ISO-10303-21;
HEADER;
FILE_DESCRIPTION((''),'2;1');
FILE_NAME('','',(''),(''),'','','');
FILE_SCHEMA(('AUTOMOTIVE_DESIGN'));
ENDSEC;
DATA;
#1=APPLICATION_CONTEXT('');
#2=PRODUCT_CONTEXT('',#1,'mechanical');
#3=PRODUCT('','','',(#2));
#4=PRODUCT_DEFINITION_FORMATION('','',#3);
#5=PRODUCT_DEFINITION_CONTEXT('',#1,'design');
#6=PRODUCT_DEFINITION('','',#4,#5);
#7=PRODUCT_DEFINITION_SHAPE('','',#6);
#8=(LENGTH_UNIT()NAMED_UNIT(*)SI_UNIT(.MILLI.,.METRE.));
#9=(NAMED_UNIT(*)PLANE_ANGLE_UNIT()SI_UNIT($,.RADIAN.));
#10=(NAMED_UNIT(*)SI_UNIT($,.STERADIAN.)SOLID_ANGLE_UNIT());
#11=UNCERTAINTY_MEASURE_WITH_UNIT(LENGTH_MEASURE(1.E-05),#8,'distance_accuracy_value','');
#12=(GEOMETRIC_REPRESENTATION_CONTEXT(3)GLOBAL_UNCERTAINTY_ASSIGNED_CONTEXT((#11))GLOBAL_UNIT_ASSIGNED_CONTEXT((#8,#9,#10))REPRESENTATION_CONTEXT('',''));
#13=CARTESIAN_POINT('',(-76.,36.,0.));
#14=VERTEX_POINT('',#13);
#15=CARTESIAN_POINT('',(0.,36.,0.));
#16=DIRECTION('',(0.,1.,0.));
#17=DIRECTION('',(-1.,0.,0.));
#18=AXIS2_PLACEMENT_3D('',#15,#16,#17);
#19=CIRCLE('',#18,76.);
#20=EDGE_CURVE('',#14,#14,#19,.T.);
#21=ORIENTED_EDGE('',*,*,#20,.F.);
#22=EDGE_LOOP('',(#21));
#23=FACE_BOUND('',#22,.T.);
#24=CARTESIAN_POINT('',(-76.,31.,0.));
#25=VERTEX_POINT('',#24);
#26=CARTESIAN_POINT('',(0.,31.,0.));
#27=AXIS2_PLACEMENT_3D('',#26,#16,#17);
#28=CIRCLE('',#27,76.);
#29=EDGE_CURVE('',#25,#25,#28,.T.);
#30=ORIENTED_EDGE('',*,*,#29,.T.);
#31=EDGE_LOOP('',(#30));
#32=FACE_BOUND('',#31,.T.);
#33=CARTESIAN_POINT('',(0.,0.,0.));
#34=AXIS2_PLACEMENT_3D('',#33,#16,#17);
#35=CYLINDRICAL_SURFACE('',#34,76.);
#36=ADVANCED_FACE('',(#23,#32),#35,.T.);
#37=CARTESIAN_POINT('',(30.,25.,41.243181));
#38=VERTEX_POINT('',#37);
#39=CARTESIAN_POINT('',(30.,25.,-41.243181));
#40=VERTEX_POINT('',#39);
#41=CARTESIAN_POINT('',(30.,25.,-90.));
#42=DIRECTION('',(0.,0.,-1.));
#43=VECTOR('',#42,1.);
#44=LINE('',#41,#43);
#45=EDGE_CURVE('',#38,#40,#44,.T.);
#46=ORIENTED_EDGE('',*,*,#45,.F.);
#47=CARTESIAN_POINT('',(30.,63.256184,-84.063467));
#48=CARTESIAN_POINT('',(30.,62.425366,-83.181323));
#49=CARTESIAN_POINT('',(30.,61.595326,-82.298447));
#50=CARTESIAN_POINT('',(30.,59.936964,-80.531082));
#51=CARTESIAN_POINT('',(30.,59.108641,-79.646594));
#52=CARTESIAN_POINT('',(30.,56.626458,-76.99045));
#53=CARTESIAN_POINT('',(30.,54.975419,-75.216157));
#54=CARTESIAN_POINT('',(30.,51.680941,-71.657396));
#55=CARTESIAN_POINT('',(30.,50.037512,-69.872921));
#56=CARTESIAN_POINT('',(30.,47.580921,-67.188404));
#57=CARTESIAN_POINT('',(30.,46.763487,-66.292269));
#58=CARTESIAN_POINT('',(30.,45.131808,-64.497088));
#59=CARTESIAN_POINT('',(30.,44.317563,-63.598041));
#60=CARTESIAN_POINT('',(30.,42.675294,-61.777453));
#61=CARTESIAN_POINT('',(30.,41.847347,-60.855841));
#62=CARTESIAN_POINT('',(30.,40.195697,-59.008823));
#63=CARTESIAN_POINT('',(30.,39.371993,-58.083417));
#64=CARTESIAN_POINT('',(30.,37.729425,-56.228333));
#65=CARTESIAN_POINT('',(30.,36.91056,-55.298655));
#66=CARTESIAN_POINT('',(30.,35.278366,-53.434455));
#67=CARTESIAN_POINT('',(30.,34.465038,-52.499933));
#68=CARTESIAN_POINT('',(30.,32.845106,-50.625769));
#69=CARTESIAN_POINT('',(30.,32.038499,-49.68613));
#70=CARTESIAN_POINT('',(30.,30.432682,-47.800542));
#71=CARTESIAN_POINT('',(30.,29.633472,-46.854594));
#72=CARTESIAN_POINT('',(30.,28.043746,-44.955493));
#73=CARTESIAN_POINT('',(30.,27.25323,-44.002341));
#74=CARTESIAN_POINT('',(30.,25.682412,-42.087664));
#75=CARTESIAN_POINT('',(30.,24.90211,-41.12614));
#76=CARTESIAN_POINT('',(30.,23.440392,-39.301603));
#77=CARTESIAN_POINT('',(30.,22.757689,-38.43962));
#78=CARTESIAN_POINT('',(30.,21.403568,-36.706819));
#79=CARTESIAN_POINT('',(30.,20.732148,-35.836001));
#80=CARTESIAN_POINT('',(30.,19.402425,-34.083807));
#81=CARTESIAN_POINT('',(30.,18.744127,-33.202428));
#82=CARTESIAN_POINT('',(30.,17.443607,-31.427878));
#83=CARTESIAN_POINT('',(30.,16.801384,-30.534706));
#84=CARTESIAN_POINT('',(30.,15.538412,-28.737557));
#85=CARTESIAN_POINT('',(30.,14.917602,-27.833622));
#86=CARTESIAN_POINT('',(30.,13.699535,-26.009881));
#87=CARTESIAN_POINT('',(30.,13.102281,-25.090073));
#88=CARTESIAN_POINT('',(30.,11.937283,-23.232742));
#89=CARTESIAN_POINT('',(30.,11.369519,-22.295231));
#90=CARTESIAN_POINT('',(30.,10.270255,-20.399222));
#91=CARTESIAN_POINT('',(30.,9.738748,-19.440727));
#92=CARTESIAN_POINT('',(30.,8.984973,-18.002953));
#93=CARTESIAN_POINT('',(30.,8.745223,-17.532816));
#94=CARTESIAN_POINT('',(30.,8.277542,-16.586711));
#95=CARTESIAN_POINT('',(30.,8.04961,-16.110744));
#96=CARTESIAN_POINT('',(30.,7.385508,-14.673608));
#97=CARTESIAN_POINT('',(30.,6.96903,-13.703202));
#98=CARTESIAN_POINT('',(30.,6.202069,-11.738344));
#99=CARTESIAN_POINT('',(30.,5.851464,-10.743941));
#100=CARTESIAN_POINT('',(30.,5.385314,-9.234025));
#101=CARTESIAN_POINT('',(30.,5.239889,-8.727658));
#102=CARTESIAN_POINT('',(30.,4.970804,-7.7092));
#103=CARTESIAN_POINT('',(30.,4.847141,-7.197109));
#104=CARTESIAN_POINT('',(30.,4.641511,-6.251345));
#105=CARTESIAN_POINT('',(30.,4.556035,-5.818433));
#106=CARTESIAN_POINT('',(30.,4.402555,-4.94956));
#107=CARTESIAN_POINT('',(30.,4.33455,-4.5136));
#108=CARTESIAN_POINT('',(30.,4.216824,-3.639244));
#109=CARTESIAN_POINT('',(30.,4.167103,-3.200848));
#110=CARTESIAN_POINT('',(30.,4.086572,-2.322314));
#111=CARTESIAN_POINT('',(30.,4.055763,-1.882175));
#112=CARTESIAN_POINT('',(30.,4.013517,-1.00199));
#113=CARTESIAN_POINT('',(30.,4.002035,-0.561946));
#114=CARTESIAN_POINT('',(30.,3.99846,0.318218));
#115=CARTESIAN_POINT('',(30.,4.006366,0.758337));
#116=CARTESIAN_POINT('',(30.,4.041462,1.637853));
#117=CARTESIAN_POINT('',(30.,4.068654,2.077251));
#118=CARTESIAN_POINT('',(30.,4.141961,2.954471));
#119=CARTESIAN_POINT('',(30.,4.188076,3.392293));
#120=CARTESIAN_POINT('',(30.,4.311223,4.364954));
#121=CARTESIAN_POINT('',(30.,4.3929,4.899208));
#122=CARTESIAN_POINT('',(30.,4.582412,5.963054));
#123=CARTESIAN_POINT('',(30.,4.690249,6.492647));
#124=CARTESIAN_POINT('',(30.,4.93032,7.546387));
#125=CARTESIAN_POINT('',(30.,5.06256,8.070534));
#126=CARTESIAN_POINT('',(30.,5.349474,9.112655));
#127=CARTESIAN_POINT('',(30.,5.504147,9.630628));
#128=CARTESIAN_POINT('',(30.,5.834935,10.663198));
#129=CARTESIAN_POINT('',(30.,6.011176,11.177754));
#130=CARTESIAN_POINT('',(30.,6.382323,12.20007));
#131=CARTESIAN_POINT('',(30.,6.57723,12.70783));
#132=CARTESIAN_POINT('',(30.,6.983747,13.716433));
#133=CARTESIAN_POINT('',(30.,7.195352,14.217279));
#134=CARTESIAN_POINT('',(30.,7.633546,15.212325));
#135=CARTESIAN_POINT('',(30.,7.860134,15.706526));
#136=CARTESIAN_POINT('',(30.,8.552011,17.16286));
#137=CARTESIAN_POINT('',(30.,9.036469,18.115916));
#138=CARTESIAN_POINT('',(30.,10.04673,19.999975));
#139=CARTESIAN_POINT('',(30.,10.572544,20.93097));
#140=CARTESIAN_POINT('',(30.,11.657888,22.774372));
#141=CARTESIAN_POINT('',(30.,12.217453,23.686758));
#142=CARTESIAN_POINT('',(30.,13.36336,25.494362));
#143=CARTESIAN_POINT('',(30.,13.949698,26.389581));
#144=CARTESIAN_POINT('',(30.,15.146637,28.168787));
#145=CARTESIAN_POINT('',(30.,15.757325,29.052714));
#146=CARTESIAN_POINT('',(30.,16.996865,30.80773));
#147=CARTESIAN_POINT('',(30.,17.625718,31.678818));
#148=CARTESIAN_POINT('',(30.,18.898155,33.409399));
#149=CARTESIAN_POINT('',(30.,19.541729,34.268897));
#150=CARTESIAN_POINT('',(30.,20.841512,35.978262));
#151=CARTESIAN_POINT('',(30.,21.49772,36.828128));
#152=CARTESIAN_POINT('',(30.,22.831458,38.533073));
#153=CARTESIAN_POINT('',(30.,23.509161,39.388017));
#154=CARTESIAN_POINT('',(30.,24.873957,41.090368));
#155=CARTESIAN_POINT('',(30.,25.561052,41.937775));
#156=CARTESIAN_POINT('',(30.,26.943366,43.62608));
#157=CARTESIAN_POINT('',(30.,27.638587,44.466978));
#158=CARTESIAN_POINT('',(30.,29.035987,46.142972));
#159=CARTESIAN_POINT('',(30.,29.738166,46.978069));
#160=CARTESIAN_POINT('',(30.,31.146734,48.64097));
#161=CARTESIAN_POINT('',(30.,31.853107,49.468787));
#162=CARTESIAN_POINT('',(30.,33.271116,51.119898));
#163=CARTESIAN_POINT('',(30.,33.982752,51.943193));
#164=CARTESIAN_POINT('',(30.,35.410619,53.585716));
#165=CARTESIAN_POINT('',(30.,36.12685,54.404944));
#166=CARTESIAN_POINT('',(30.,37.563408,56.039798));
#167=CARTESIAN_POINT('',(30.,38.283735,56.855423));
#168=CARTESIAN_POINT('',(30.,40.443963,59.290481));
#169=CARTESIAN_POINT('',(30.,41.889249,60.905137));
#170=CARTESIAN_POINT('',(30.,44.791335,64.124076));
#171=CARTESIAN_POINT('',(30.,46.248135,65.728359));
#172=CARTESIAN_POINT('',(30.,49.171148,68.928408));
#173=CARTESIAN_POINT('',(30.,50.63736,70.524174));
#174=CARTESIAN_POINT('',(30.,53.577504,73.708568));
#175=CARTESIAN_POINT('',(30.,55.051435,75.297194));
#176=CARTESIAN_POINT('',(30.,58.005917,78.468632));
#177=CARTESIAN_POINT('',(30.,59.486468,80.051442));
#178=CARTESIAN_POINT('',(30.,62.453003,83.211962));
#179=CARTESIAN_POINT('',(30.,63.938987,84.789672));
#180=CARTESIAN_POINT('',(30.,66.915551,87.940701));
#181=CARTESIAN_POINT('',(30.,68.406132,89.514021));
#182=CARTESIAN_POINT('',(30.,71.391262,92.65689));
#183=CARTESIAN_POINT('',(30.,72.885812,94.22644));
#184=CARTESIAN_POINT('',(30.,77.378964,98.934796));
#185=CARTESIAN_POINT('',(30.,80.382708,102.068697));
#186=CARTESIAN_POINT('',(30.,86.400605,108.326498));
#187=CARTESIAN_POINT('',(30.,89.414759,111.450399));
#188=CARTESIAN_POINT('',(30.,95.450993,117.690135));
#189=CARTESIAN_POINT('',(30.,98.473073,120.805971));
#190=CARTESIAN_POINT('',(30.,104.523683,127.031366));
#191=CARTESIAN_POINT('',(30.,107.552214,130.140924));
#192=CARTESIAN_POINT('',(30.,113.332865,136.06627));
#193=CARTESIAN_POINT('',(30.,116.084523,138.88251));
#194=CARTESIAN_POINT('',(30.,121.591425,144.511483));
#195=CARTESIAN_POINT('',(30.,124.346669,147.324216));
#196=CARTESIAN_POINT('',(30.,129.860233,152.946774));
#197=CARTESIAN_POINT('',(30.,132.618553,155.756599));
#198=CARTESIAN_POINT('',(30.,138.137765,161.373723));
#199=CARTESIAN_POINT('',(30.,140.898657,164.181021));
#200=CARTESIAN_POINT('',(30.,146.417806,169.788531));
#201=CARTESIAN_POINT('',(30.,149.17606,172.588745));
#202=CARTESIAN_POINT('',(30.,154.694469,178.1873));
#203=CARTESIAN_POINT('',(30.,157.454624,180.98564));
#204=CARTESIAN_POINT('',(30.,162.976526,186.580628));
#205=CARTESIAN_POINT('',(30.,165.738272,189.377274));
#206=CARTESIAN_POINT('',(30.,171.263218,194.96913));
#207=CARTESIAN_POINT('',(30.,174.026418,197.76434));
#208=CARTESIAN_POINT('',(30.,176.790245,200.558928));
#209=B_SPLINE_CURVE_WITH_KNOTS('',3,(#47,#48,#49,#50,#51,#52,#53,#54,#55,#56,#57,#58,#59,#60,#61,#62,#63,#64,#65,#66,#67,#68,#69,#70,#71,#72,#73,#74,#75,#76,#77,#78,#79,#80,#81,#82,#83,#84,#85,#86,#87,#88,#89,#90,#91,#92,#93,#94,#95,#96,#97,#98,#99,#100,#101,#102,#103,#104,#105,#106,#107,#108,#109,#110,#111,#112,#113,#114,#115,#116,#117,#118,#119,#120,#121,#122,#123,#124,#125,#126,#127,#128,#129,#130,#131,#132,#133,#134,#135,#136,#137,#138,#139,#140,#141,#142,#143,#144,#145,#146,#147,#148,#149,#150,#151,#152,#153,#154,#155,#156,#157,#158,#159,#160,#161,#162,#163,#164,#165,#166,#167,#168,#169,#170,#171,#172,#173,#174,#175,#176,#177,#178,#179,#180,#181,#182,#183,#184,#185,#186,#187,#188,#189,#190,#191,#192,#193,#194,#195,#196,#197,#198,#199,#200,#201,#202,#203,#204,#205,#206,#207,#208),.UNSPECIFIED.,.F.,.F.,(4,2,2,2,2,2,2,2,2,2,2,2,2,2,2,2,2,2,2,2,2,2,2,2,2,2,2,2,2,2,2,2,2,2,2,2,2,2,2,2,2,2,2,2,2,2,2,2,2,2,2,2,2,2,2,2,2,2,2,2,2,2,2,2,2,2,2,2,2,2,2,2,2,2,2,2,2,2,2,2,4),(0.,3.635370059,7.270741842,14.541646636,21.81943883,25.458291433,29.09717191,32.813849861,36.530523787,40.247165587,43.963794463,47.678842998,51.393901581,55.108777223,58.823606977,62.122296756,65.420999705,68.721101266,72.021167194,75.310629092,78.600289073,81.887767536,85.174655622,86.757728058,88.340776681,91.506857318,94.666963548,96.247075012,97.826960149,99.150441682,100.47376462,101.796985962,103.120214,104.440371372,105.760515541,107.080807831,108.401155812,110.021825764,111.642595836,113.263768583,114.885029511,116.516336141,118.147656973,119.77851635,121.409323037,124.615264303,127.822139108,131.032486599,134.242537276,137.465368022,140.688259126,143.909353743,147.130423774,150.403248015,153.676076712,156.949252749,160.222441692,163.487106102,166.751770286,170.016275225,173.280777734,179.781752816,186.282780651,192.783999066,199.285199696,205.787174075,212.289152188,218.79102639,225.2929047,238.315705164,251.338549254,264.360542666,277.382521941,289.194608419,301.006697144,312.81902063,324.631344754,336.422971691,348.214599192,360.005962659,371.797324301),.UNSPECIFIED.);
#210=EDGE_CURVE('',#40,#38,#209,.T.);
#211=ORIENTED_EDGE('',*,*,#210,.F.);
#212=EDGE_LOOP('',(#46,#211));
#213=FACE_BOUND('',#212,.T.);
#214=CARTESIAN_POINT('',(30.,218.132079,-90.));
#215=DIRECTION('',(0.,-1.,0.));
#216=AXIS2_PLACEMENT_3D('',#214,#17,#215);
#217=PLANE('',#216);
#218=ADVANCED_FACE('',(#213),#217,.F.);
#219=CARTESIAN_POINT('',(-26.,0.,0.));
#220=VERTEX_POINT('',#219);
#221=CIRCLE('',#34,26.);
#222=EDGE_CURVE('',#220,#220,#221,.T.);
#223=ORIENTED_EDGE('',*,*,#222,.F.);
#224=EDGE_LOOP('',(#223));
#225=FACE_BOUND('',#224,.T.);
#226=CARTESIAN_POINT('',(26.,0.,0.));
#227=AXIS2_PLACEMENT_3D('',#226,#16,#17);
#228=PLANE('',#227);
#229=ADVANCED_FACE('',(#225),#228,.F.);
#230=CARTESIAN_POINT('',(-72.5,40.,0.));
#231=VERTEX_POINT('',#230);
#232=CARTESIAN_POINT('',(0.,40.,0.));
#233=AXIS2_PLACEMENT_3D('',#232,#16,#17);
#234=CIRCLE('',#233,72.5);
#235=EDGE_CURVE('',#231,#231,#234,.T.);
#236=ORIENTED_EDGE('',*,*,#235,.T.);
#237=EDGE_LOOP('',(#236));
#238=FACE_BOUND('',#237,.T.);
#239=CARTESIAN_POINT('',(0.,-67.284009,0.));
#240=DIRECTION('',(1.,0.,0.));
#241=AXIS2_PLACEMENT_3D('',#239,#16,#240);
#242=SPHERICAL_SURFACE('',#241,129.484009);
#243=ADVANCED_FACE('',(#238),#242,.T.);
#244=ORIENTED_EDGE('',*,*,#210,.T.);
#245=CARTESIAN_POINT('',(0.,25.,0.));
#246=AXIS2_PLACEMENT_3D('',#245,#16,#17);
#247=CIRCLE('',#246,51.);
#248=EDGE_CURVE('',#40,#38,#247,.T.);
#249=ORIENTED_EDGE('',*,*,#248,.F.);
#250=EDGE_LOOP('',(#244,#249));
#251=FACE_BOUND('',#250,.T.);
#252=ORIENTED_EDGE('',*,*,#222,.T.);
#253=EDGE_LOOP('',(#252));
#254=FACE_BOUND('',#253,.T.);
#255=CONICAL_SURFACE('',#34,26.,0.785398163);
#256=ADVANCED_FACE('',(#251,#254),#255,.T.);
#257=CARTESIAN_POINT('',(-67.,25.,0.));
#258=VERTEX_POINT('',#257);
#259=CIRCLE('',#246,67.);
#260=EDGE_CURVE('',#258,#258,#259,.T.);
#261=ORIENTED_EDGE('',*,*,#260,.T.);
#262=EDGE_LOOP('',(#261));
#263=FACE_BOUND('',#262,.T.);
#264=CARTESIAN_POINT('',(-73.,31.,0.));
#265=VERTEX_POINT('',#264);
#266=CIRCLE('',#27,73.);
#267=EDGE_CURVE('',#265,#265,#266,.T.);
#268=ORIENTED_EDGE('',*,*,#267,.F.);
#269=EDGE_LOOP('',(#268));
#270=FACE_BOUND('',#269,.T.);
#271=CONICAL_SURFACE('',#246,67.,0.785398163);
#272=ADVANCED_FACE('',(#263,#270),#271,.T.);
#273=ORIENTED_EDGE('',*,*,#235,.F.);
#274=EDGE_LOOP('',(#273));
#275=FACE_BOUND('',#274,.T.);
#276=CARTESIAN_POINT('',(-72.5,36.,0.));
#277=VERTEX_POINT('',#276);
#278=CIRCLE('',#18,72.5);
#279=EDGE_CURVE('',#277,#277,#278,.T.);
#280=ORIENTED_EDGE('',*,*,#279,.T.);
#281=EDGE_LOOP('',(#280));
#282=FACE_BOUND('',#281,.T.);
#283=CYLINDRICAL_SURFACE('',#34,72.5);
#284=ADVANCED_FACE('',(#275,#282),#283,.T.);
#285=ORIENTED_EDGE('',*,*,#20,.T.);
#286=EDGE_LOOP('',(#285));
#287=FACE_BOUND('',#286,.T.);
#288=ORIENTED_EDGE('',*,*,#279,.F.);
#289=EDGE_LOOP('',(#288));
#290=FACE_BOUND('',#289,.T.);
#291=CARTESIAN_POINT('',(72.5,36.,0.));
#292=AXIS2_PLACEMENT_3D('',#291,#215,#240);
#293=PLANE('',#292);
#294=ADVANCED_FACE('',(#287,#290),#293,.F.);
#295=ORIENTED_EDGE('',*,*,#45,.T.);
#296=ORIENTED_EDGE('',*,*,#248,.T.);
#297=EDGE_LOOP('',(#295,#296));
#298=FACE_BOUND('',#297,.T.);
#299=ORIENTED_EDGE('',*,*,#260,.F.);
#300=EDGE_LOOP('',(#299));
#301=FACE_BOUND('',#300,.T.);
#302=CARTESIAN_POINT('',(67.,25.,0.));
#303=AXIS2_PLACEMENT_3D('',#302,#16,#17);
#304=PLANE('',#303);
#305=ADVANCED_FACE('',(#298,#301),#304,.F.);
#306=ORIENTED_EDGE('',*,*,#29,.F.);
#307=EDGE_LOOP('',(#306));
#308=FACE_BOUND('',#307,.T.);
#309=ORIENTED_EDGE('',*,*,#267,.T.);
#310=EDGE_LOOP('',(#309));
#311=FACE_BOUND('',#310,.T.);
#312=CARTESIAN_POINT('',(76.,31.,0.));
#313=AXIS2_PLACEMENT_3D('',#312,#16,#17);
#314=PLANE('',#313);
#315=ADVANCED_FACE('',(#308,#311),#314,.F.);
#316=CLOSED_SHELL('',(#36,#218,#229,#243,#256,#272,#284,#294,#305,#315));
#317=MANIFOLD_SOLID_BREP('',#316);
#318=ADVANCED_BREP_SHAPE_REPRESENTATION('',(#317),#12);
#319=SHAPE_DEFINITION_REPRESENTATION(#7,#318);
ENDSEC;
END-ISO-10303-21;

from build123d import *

# Parameters (mm, degrees)
SKETCH2_W          = 70
SKETCH2_H          = 180
CUT_EXTRUDE1_DEPTH = 25


with BuildPart() as part:
    # Sketch1 → Revolve1 (revolve)
    with BuildSketch(Plane.XY, mode=Mode.PRIVATE) as revolve1_sk:
        with BuildLine():
            Line((72.5, 40), (72.5, 36))
            Line((72.5, 36), (76, 36))
            Line((76, 36), (76, 31))
            Line((76, 31), (73, 31))
            Line((73, 31), (67, 25))
            Line((67, 25), (51, 25))
            Line((51, 25), (26, 0))
            Line((26, 0), (0, 0))
            Line((0, 0), (0, 62.2))
            ThreePointArc((0, 62.2), (37.91137692, 56.525667871), (72.5, 40))
        make_face()
    revolve(revolve1_sk.sketch.rotate(Axis((0, 0, 0), (0, -1, 0)), 180), axis=Axis((0, 0, 0), (0, -1, 0)))

    # Sketch2 → Cut-Extrude1 (cut)
    with BuildSketch(Plane.XZ):
        with Locations((65, 0)):
            Rectangle(SKETCH2_W, SKETCH2_H)
    extrude(amount=-CUT_EXTRUDE1_DEPTH, mode=Mode.SUBTRACT)


solid = part.part
